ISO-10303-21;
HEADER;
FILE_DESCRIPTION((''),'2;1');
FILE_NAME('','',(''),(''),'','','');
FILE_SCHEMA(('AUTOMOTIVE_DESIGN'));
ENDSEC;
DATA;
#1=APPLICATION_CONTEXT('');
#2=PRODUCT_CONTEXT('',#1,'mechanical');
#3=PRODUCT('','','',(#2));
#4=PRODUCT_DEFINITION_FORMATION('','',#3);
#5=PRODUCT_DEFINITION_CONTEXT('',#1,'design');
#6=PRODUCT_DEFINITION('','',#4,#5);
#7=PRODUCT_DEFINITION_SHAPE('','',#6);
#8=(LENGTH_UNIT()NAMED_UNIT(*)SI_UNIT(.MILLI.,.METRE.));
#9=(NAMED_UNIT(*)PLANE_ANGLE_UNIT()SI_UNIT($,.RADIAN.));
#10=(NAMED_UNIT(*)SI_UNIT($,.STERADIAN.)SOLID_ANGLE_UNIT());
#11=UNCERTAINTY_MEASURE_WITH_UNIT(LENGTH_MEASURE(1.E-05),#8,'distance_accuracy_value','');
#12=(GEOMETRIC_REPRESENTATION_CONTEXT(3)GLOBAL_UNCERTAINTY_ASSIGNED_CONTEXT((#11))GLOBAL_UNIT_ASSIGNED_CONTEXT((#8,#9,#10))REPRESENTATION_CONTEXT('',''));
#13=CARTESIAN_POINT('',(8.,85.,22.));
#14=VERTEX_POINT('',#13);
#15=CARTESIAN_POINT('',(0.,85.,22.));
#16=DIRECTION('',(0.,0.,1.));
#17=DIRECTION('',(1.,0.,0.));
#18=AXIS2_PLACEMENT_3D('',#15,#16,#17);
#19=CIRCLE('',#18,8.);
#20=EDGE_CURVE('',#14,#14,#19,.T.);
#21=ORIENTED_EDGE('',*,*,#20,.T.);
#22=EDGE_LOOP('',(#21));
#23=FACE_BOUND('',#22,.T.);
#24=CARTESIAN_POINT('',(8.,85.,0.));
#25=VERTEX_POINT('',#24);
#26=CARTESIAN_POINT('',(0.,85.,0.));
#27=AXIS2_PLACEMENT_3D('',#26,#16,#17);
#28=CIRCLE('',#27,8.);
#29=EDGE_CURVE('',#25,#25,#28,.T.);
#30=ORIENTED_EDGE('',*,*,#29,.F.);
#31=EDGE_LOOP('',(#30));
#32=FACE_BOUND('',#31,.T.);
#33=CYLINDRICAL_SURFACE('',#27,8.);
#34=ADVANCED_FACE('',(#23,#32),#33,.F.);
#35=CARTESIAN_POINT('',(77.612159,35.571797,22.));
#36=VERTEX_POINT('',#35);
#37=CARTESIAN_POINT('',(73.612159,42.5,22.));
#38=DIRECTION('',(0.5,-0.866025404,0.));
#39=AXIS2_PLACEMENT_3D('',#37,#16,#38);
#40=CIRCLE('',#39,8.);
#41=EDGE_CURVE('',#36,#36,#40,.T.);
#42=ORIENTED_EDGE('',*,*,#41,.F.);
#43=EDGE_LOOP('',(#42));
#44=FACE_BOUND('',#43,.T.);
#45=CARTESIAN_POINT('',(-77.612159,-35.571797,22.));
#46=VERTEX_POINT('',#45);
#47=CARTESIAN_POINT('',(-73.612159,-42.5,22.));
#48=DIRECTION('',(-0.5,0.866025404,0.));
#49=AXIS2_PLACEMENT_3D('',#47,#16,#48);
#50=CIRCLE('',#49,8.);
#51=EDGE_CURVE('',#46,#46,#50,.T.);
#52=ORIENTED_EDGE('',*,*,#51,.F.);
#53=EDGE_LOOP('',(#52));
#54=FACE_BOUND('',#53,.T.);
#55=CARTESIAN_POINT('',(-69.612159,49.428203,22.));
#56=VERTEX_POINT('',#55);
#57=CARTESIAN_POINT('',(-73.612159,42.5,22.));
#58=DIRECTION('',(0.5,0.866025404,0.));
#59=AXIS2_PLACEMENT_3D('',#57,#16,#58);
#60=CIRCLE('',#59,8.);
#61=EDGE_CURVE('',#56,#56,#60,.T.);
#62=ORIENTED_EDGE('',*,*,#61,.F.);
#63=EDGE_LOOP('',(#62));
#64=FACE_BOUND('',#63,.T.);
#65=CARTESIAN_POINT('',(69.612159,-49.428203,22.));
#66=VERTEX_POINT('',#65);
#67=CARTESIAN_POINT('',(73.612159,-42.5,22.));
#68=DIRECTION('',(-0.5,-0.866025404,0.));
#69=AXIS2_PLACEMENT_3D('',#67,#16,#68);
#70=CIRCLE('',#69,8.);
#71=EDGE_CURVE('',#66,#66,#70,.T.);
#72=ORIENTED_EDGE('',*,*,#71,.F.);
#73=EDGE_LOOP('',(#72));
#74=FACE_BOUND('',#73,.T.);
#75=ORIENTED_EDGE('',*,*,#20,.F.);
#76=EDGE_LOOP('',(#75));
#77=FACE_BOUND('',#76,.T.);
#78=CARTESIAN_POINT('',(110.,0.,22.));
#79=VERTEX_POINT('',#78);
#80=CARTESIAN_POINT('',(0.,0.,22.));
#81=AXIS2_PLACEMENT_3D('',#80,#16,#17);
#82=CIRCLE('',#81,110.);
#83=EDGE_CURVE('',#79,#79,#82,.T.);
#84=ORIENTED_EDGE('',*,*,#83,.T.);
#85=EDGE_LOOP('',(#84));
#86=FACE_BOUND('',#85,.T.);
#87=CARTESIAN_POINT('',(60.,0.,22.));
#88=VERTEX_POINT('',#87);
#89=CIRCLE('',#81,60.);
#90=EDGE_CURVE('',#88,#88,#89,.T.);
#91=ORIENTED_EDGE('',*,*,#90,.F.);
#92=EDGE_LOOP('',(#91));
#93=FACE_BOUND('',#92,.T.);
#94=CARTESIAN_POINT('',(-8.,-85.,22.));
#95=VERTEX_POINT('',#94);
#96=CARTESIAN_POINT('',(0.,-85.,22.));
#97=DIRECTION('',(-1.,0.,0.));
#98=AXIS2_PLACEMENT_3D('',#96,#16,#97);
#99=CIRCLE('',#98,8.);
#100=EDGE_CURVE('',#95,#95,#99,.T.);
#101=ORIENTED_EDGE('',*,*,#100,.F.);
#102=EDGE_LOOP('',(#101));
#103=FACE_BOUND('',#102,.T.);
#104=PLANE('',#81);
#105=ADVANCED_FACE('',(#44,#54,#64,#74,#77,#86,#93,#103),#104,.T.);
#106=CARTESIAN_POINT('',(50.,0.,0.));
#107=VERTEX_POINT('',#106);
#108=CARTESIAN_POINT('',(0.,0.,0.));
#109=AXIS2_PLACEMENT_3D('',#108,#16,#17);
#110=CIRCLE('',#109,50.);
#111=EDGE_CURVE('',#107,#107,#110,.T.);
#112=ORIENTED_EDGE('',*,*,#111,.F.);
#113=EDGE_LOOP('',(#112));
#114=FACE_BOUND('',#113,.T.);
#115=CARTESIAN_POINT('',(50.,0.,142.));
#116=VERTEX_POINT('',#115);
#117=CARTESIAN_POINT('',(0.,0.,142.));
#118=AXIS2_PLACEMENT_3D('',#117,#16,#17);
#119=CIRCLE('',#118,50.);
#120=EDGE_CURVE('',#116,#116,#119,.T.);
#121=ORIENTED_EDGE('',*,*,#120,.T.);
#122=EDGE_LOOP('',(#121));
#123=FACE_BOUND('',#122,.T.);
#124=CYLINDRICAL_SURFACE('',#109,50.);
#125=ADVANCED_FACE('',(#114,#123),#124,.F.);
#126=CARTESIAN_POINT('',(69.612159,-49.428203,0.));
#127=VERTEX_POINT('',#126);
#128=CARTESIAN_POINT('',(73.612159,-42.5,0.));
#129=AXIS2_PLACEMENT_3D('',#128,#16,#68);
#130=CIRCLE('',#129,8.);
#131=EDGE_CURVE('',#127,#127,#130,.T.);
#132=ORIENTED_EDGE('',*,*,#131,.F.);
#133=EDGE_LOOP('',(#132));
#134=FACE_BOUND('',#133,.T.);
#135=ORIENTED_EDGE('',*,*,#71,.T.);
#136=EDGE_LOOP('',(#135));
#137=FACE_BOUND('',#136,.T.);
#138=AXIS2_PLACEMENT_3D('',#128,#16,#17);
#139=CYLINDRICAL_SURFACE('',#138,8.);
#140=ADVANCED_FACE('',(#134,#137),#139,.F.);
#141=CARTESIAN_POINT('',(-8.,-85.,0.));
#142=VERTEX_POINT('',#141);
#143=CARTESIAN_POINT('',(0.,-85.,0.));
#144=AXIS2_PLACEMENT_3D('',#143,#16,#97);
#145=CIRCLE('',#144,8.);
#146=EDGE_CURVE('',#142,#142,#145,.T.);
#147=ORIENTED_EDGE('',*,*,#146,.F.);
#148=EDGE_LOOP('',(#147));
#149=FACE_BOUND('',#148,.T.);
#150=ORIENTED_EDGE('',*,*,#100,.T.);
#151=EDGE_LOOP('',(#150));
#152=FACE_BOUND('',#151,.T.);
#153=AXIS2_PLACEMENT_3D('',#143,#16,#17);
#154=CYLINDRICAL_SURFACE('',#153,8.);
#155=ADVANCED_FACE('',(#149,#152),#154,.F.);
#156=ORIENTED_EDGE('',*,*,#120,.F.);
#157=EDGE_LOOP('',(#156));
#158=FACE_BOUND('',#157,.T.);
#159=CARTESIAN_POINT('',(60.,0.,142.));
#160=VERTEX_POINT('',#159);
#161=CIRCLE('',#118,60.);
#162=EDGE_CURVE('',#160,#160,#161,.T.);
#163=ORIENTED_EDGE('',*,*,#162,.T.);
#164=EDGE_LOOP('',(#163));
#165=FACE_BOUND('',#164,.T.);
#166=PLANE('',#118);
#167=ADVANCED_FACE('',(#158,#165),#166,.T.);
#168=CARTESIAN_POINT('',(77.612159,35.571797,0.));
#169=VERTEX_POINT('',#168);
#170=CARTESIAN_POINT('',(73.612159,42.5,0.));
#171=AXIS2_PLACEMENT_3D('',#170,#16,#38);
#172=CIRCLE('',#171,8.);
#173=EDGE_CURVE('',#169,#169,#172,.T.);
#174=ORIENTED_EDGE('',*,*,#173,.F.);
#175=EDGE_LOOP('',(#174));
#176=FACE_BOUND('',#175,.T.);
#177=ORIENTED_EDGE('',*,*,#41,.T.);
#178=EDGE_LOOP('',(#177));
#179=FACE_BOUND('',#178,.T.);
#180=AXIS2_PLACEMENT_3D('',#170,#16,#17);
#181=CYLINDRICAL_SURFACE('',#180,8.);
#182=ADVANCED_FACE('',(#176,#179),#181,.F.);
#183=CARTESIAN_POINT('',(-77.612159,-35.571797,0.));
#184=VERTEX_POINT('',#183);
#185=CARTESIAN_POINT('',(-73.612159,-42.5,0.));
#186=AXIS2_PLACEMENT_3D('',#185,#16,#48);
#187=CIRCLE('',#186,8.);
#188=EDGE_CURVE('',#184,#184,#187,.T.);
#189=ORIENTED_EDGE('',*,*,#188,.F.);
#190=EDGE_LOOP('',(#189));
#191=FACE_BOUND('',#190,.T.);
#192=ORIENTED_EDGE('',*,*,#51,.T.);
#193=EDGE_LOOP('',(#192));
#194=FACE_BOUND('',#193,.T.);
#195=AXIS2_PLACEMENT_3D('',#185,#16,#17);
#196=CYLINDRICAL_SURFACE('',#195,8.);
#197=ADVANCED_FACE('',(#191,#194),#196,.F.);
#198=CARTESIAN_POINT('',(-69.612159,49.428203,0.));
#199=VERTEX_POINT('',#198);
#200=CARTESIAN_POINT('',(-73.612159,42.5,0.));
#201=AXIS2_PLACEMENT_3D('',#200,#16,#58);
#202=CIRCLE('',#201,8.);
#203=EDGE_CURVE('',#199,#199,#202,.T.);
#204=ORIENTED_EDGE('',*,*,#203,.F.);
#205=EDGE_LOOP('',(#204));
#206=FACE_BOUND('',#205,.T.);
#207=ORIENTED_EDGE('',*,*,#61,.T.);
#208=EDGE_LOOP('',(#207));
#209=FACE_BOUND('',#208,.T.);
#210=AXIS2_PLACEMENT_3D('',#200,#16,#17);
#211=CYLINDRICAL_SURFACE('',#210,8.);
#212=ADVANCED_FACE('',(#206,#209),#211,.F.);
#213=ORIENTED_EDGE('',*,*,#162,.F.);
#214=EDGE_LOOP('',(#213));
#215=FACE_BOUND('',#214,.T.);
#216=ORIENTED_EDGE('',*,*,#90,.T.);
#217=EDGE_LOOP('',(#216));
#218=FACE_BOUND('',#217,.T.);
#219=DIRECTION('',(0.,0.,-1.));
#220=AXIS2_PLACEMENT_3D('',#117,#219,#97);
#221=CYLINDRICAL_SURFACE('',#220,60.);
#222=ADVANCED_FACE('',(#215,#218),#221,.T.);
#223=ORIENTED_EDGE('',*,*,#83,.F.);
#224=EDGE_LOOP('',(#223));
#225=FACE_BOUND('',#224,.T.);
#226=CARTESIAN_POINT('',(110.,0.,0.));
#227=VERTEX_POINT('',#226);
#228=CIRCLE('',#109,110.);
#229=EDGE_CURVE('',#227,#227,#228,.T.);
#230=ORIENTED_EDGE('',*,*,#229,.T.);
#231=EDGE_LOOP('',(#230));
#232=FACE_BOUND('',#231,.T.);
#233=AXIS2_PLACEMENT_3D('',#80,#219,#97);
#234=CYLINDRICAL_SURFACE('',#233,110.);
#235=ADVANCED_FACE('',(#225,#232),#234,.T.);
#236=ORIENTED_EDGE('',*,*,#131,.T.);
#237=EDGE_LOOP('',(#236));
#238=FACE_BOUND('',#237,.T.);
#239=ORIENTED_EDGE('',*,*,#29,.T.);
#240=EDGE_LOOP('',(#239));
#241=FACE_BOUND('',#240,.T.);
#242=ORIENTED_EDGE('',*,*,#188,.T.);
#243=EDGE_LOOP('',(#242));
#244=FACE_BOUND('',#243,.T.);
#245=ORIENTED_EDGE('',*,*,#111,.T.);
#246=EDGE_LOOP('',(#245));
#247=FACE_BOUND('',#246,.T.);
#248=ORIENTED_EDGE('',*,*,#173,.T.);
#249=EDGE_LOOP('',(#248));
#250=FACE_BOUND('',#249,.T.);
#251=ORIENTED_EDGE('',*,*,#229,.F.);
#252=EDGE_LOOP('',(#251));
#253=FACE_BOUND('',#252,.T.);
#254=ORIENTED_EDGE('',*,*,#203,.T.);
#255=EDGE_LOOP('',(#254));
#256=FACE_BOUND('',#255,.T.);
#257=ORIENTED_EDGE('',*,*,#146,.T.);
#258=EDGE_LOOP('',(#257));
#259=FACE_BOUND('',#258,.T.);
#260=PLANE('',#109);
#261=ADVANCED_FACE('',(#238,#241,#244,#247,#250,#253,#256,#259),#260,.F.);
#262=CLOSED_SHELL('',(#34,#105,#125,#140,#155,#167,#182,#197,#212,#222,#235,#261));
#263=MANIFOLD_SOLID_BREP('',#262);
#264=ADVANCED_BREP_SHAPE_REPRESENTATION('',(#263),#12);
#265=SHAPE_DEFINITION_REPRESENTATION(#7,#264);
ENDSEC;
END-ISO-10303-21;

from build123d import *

# Parameters (mm, degrees)
SKETCH1_R               = 110
BOSS_EXTRUDE2_DEPTH     = 22
SKETCH2_R               = 60
BOSS_EXTRUDE3_DEPTH     = 120
CUT_EXTRUDE1_DEPTH      = 211.627633515
CUT_EXTRUDE1_DEPTH_BACK = 211.627633515
SKETCH3_R               = 50
SKETCH4_R               = 8
CUT_EXTRUDE2_DEPTH      = 197.468827044
CIRPATTERN1_COUNT       = 6


with BuildPart() as part:
    # Sketch1 → Boss-Extrude2 (new body)
    with BuildSketch(Plane.XY):
        Circle(SKETCH1_R)
    extrude(amount=BOSS_EXTRUDE2_DEPTH)

    # Sketch2 → Boss-Extrude3 (add)
    with BuildSketch(Plane.XY.offset(22)):
        Circle(SKETCH2_R)
    extrude(amount=BOSS_EXTRUDE3_DEPTH)

    # Sketch3 → Cut-Extrude1 (cut, two sides: drawn at the far end of the back side and taken through both)
    with BuildSketch(Plane.XY.offset(142).offset(-CUT_EXTRUDE1_DEPTH_BACK)):
        Circle(SKETCH3_R)
    extrude(amount=CUT_EXTRUDE1_DEPTH + CUT_EXTRUDE1_DEPTH_BACK, mode=Mode.SUBTRACT)

    # Sketch4 → Cut-Extrude2 (cut, symmetric)
    with BuildSketch(Plane.XY.offset(22)):
        with Locations((0, 85)):
            Circle(SKETCH4_R)
    cut_extrude2 = extrude(amount=CUT_EXTRUDE2_DEPTH, both=True, mode=Mode.SUBTRACT)

    # CirPattern1: Cut-Extrude2 ×6 about axis
    cirpattern1_axis = Axis((0, 0, 0), (0, 0, 1))
    for i in range(1, CIRPATTERN1_COUNT):
        add(cut_extrude2.rotate(cirpattern1_axis, i * 360 / CIRPATTERN1_COUNT), mode=Mode.SUBTRACT)


solid = part.part
